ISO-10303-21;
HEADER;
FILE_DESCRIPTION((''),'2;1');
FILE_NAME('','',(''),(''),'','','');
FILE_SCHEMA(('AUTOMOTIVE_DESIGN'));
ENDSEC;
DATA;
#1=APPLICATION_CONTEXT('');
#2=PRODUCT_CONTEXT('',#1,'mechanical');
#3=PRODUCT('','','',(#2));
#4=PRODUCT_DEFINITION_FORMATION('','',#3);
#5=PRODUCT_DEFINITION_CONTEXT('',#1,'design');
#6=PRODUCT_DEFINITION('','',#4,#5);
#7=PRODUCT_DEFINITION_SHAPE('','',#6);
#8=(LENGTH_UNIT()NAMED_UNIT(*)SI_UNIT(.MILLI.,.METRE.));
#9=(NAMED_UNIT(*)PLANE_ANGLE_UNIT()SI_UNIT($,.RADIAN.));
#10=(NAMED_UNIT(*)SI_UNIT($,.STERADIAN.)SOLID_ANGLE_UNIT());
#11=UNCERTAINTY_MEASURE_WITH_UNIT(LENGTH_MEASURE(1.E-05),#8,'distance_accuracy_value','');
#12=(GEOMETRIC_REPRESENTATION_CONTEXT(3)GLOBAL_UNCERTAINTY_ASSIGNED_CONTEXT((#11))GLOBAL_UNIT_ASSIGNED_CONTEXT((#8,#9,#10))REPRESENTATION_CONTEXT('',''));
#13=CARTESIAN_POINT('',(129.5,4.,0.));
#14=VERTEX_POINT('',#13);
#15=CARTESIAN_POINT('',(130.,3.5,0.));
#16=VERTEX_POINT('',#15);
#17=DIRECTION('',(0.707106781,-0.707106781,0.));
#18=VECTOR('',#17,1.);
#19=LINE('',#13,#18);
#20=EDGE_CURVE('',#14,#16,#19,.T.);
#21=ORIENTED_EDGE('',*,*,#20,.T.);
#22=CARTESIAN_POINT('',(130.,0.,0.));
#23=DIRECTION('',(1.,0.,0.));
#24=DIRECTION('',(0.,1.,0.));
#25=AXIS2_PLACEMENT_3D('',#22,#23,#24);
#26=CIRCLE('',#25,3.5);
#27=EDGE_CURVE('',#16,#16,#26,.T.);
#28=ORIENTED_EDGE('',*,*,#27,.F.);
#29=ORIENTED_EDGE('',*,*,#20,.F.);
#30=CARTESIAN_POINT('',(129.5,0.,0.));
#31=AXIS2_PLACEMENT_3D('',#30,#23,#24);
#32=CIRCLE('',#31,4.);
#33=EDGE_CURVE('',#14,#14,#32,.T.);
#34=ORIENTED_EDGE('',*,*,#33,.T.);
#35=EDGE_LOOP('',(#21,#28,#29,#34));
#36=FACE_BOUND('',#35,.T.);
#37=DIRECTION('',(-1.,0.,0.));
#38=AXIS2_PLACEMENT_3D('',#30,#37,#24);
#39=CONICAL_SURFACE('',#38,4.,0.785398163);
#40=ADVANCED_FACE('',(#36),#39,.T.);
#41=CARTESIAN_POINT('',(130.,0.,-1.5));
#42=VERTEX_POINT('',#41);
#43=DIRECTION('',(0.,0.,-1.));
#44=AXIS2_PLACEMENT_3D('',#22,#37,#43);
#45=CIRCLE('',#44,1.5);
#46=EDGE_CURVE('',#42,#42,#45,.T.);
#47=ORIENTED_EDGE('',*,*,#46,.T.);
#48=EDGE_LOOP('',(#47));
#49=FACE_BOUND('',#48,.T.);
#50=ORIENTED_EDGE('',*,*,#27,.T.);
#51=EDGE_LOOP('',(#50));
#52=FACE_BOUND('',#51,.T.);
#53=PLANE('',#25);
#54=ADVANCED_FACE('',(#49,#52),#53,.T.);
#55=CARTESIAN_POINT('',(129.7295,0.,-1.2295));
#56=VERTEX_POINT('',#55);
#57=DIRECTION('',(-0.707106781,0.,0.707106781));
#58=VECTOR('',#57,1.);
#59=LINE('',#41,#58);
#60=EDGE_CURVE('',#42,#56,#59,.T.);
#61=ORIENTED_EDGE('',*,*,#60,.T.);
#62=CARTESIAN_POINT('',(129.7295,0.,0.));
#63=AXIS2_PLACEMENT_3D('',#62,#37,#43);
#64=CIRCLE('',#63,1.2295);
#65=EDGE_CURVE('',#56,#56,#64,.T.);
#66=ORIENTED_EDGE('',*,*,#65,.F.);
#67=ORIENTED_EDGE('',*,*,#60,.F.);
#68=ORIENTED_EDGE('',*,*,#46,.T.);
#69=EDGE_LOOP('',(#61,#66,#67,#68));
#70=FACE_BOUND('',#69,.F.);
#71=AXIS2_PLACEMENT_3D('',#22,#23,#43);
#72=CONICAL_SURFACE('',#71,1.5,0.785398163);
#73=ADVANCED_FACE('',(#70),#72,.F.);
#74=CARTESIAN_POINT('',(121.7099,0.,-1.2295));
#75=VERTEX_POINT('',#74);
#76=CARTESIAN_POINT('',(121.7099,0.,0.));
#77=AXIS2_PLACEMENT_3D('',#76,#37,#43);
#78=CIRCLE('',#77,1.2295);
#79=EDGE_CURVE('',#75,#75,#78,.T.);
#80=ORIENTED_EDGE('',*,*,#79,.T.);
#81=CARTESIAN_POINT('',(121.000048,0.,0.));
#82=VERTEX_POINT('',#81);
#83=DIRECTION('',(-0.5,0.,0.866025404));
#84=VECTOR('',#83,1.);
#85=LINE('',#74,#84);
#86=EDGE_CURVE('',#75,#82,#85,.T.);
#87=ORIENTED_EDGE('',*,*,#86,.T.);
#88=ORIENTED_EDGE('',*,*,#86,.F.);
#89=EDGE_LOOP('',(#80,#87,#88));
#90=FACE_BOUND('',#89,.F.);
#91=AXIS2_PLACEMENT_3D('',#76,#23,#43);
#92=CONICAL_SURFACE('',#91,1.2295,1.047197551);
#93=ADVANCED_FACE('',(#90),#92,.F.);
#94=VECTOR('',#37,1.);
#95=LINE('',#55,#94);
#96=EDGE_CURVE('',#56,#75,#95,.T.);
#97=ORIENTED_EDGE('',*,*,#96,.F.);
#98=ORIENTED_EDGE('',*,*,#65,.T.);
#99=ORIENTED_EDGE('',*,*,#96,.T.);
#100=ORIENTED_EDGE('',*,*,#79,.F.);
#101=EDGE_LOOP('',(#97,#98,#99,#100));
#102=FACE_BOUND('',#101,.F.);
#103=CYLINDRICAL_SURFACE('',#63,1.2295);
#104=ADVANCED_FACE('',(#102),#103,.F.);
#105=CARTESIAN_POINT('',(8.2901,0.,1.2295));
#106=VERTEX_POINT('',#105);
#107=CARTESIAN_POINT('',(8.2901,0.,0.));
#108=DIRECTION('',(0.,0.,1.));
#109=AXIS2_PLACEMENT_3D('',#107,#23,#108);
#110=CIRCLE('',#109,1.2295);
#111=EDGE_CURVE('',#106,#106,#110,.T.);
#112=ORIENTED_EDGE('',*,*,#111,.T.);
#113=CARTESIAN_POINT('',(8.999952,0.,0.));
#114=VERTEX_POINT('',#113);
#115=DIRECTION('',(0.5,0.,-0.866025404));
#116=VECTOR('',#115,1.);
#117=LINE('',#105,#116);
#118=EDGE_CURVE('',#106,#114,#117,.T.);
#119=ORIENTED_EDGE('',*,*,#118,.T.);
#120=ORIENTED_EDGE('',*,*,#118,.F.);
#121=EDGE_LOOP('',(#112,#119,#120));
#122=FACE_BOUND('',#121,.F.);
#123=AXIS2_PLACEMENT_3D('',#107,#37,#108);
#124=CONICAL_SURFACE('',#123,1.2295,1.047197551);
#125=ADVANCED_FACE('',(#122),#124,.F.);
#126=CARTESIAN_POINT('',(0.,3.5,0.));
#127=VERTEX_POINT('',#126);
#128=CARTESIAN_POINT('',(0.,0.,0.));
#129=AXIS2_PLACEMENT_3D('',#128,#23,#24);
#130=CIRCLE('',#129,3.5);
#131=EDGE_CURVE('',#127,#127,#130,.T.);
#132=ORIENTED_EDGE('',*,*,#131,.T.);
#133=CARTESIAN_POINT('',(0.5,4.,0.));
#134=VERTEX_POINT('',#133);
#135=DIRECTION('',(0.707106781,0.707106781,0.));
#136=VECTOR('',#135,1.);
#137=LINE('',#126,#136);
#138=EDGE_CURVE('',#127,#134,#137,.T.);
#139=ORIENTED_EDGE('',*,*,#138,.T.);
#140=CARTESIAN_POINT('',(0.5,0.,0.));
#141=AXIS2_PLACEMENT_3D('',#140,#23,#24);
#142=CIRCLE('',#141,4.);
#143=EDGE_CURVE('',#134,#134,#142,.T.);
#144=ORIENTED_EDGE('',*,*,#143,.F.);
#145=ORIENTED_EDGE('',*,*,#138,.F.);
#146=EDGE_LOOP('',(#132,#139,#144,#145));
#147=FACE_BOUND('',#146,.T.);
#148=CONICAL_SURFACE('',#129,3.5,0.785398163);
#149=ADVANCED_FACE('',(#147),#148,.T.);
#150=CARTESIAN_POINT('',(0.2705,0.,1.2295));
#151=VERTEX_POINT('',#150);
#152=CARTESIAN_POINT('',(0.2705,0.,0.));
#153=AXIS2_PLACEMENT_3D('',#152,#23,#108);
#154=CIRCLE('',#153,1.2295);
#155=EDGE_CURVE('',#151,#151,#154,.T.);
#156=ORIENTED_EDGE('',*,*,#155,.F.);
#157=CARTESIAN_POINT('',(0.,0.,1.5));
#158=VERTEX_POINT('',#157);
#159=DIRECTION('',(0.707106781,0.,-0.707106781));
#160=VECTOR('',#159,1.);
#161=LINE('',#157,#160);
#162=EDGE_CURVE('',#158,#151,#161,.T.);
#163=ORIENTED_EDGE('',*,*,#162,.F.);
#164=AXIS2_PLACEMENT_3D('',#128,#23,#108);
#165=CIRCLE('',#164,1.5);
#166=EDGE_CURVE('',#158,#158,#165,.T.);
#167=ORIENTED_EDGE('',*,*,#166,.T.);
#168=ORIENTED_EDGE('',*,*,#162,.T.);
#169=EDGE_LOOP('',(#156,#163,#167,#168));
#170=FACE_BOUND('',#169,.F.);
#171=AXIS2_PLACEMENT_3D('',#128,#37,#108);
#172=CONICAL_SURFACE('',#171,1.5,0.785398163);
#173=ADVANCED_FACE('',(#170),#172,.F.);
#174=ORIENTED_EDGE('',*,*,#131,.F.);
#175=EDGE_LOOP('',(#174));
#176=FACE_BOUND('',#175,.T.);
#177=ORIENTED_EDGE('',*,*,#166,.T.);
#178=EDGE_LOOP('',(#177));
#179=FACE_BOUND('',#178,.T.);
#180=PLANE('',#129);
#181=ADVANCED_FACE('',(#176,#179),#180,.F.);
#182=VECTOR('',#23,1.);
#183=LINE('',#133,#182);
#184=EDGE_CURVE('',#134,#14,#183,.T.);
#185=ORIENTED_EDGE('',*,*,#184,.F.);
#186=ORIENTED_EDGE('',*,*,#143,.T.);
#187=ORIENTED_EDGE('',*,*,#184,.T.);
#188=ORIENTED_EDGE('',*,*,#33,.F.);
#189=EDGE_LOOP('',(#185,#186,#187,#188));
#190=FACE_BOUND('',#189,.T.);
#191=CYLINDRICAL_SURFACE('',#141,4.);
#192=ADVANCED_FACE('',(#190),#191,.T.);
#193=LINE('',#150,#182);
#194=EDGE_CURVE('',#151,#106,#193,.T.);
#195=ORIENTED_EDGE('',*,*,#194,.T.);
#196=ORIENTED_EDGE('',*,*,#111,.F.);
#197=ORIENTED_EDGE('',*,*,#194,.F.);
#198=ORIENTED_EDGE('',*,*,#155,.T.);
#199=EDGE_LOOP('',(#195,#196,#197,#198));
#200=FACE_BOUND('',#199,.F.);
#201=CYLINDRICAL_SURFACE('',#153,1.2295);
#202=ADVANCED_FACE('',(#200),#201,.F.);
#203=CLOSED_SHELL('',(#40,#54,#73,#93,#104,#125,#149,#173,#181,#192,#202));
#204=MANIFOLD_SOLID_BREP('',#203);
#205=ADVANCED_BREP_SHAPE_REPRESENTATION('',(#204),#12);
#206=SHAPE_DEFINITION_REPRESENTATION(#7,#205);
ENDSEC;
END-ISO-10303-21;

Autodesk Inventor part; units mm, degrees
ref_plane "YZ Plane" through (0, 0, 0) normal (1, 0, 0) x (0, 1, 0)
ref_plane "XZ Plane" through (0, 0, 0) normal (0, 1, 0) x (-1, 0, 0)
ref_plane "XY Plane" through (0, 0, 0) normal (0, 0, 1) x (1, 0, 0)
sketch "Sketch_1" plane through (0, 0, 0) normal (0, 0, 1) x (1, 0, 0)
  line L0 (130, 0) -> (0, 0)
  line L1 (0, 0) -> (0, 3.5)
  line L2 (0, 3.5) -> (0.5, 4)
  line L3 (0.5, 4) -> (129.5, 4)
  line L4 (129.5, 4) -> (130, 3.5)
  line L5 (130, 3.5) -> (130, 0)
  line L6 (130, 0) -> (0, 0)
revolve "Revolution1" add sketch "Sketch_1" angle 360 about axis through (130, 0, 0) along (1, 0, 0)
sketch "Sketch2" plane through (0, 0, 0) normal (-1, 0, 0) x (0, 0, 1)
  point P0 (0, 0)
hole "Hole1" at (0, 0, 0) direction (1, 0, 0) diameter 2.459 depth 8.2901 tip angle 120 countersink diameter 3 countersink angle 90 thread size "M3x0.5" class "6H" standard "ISO Metric profile"
sketch "Sketch3" plane through (130, 0, 0) normal (1, 0, 0) x (0, 0, -1)
  point P0 (0, 0)
hole "Hole2" at (130, 0, 0) direction (-1, 0, 0) diameter 2.459 depth 8.2901 tip angle 120 countersink diameter 3 countersink angle 90 thread size "M3x0.5" class "6H" standard "ISO Metric profile"
properties part number "AETTF8-130-M3-N3"
